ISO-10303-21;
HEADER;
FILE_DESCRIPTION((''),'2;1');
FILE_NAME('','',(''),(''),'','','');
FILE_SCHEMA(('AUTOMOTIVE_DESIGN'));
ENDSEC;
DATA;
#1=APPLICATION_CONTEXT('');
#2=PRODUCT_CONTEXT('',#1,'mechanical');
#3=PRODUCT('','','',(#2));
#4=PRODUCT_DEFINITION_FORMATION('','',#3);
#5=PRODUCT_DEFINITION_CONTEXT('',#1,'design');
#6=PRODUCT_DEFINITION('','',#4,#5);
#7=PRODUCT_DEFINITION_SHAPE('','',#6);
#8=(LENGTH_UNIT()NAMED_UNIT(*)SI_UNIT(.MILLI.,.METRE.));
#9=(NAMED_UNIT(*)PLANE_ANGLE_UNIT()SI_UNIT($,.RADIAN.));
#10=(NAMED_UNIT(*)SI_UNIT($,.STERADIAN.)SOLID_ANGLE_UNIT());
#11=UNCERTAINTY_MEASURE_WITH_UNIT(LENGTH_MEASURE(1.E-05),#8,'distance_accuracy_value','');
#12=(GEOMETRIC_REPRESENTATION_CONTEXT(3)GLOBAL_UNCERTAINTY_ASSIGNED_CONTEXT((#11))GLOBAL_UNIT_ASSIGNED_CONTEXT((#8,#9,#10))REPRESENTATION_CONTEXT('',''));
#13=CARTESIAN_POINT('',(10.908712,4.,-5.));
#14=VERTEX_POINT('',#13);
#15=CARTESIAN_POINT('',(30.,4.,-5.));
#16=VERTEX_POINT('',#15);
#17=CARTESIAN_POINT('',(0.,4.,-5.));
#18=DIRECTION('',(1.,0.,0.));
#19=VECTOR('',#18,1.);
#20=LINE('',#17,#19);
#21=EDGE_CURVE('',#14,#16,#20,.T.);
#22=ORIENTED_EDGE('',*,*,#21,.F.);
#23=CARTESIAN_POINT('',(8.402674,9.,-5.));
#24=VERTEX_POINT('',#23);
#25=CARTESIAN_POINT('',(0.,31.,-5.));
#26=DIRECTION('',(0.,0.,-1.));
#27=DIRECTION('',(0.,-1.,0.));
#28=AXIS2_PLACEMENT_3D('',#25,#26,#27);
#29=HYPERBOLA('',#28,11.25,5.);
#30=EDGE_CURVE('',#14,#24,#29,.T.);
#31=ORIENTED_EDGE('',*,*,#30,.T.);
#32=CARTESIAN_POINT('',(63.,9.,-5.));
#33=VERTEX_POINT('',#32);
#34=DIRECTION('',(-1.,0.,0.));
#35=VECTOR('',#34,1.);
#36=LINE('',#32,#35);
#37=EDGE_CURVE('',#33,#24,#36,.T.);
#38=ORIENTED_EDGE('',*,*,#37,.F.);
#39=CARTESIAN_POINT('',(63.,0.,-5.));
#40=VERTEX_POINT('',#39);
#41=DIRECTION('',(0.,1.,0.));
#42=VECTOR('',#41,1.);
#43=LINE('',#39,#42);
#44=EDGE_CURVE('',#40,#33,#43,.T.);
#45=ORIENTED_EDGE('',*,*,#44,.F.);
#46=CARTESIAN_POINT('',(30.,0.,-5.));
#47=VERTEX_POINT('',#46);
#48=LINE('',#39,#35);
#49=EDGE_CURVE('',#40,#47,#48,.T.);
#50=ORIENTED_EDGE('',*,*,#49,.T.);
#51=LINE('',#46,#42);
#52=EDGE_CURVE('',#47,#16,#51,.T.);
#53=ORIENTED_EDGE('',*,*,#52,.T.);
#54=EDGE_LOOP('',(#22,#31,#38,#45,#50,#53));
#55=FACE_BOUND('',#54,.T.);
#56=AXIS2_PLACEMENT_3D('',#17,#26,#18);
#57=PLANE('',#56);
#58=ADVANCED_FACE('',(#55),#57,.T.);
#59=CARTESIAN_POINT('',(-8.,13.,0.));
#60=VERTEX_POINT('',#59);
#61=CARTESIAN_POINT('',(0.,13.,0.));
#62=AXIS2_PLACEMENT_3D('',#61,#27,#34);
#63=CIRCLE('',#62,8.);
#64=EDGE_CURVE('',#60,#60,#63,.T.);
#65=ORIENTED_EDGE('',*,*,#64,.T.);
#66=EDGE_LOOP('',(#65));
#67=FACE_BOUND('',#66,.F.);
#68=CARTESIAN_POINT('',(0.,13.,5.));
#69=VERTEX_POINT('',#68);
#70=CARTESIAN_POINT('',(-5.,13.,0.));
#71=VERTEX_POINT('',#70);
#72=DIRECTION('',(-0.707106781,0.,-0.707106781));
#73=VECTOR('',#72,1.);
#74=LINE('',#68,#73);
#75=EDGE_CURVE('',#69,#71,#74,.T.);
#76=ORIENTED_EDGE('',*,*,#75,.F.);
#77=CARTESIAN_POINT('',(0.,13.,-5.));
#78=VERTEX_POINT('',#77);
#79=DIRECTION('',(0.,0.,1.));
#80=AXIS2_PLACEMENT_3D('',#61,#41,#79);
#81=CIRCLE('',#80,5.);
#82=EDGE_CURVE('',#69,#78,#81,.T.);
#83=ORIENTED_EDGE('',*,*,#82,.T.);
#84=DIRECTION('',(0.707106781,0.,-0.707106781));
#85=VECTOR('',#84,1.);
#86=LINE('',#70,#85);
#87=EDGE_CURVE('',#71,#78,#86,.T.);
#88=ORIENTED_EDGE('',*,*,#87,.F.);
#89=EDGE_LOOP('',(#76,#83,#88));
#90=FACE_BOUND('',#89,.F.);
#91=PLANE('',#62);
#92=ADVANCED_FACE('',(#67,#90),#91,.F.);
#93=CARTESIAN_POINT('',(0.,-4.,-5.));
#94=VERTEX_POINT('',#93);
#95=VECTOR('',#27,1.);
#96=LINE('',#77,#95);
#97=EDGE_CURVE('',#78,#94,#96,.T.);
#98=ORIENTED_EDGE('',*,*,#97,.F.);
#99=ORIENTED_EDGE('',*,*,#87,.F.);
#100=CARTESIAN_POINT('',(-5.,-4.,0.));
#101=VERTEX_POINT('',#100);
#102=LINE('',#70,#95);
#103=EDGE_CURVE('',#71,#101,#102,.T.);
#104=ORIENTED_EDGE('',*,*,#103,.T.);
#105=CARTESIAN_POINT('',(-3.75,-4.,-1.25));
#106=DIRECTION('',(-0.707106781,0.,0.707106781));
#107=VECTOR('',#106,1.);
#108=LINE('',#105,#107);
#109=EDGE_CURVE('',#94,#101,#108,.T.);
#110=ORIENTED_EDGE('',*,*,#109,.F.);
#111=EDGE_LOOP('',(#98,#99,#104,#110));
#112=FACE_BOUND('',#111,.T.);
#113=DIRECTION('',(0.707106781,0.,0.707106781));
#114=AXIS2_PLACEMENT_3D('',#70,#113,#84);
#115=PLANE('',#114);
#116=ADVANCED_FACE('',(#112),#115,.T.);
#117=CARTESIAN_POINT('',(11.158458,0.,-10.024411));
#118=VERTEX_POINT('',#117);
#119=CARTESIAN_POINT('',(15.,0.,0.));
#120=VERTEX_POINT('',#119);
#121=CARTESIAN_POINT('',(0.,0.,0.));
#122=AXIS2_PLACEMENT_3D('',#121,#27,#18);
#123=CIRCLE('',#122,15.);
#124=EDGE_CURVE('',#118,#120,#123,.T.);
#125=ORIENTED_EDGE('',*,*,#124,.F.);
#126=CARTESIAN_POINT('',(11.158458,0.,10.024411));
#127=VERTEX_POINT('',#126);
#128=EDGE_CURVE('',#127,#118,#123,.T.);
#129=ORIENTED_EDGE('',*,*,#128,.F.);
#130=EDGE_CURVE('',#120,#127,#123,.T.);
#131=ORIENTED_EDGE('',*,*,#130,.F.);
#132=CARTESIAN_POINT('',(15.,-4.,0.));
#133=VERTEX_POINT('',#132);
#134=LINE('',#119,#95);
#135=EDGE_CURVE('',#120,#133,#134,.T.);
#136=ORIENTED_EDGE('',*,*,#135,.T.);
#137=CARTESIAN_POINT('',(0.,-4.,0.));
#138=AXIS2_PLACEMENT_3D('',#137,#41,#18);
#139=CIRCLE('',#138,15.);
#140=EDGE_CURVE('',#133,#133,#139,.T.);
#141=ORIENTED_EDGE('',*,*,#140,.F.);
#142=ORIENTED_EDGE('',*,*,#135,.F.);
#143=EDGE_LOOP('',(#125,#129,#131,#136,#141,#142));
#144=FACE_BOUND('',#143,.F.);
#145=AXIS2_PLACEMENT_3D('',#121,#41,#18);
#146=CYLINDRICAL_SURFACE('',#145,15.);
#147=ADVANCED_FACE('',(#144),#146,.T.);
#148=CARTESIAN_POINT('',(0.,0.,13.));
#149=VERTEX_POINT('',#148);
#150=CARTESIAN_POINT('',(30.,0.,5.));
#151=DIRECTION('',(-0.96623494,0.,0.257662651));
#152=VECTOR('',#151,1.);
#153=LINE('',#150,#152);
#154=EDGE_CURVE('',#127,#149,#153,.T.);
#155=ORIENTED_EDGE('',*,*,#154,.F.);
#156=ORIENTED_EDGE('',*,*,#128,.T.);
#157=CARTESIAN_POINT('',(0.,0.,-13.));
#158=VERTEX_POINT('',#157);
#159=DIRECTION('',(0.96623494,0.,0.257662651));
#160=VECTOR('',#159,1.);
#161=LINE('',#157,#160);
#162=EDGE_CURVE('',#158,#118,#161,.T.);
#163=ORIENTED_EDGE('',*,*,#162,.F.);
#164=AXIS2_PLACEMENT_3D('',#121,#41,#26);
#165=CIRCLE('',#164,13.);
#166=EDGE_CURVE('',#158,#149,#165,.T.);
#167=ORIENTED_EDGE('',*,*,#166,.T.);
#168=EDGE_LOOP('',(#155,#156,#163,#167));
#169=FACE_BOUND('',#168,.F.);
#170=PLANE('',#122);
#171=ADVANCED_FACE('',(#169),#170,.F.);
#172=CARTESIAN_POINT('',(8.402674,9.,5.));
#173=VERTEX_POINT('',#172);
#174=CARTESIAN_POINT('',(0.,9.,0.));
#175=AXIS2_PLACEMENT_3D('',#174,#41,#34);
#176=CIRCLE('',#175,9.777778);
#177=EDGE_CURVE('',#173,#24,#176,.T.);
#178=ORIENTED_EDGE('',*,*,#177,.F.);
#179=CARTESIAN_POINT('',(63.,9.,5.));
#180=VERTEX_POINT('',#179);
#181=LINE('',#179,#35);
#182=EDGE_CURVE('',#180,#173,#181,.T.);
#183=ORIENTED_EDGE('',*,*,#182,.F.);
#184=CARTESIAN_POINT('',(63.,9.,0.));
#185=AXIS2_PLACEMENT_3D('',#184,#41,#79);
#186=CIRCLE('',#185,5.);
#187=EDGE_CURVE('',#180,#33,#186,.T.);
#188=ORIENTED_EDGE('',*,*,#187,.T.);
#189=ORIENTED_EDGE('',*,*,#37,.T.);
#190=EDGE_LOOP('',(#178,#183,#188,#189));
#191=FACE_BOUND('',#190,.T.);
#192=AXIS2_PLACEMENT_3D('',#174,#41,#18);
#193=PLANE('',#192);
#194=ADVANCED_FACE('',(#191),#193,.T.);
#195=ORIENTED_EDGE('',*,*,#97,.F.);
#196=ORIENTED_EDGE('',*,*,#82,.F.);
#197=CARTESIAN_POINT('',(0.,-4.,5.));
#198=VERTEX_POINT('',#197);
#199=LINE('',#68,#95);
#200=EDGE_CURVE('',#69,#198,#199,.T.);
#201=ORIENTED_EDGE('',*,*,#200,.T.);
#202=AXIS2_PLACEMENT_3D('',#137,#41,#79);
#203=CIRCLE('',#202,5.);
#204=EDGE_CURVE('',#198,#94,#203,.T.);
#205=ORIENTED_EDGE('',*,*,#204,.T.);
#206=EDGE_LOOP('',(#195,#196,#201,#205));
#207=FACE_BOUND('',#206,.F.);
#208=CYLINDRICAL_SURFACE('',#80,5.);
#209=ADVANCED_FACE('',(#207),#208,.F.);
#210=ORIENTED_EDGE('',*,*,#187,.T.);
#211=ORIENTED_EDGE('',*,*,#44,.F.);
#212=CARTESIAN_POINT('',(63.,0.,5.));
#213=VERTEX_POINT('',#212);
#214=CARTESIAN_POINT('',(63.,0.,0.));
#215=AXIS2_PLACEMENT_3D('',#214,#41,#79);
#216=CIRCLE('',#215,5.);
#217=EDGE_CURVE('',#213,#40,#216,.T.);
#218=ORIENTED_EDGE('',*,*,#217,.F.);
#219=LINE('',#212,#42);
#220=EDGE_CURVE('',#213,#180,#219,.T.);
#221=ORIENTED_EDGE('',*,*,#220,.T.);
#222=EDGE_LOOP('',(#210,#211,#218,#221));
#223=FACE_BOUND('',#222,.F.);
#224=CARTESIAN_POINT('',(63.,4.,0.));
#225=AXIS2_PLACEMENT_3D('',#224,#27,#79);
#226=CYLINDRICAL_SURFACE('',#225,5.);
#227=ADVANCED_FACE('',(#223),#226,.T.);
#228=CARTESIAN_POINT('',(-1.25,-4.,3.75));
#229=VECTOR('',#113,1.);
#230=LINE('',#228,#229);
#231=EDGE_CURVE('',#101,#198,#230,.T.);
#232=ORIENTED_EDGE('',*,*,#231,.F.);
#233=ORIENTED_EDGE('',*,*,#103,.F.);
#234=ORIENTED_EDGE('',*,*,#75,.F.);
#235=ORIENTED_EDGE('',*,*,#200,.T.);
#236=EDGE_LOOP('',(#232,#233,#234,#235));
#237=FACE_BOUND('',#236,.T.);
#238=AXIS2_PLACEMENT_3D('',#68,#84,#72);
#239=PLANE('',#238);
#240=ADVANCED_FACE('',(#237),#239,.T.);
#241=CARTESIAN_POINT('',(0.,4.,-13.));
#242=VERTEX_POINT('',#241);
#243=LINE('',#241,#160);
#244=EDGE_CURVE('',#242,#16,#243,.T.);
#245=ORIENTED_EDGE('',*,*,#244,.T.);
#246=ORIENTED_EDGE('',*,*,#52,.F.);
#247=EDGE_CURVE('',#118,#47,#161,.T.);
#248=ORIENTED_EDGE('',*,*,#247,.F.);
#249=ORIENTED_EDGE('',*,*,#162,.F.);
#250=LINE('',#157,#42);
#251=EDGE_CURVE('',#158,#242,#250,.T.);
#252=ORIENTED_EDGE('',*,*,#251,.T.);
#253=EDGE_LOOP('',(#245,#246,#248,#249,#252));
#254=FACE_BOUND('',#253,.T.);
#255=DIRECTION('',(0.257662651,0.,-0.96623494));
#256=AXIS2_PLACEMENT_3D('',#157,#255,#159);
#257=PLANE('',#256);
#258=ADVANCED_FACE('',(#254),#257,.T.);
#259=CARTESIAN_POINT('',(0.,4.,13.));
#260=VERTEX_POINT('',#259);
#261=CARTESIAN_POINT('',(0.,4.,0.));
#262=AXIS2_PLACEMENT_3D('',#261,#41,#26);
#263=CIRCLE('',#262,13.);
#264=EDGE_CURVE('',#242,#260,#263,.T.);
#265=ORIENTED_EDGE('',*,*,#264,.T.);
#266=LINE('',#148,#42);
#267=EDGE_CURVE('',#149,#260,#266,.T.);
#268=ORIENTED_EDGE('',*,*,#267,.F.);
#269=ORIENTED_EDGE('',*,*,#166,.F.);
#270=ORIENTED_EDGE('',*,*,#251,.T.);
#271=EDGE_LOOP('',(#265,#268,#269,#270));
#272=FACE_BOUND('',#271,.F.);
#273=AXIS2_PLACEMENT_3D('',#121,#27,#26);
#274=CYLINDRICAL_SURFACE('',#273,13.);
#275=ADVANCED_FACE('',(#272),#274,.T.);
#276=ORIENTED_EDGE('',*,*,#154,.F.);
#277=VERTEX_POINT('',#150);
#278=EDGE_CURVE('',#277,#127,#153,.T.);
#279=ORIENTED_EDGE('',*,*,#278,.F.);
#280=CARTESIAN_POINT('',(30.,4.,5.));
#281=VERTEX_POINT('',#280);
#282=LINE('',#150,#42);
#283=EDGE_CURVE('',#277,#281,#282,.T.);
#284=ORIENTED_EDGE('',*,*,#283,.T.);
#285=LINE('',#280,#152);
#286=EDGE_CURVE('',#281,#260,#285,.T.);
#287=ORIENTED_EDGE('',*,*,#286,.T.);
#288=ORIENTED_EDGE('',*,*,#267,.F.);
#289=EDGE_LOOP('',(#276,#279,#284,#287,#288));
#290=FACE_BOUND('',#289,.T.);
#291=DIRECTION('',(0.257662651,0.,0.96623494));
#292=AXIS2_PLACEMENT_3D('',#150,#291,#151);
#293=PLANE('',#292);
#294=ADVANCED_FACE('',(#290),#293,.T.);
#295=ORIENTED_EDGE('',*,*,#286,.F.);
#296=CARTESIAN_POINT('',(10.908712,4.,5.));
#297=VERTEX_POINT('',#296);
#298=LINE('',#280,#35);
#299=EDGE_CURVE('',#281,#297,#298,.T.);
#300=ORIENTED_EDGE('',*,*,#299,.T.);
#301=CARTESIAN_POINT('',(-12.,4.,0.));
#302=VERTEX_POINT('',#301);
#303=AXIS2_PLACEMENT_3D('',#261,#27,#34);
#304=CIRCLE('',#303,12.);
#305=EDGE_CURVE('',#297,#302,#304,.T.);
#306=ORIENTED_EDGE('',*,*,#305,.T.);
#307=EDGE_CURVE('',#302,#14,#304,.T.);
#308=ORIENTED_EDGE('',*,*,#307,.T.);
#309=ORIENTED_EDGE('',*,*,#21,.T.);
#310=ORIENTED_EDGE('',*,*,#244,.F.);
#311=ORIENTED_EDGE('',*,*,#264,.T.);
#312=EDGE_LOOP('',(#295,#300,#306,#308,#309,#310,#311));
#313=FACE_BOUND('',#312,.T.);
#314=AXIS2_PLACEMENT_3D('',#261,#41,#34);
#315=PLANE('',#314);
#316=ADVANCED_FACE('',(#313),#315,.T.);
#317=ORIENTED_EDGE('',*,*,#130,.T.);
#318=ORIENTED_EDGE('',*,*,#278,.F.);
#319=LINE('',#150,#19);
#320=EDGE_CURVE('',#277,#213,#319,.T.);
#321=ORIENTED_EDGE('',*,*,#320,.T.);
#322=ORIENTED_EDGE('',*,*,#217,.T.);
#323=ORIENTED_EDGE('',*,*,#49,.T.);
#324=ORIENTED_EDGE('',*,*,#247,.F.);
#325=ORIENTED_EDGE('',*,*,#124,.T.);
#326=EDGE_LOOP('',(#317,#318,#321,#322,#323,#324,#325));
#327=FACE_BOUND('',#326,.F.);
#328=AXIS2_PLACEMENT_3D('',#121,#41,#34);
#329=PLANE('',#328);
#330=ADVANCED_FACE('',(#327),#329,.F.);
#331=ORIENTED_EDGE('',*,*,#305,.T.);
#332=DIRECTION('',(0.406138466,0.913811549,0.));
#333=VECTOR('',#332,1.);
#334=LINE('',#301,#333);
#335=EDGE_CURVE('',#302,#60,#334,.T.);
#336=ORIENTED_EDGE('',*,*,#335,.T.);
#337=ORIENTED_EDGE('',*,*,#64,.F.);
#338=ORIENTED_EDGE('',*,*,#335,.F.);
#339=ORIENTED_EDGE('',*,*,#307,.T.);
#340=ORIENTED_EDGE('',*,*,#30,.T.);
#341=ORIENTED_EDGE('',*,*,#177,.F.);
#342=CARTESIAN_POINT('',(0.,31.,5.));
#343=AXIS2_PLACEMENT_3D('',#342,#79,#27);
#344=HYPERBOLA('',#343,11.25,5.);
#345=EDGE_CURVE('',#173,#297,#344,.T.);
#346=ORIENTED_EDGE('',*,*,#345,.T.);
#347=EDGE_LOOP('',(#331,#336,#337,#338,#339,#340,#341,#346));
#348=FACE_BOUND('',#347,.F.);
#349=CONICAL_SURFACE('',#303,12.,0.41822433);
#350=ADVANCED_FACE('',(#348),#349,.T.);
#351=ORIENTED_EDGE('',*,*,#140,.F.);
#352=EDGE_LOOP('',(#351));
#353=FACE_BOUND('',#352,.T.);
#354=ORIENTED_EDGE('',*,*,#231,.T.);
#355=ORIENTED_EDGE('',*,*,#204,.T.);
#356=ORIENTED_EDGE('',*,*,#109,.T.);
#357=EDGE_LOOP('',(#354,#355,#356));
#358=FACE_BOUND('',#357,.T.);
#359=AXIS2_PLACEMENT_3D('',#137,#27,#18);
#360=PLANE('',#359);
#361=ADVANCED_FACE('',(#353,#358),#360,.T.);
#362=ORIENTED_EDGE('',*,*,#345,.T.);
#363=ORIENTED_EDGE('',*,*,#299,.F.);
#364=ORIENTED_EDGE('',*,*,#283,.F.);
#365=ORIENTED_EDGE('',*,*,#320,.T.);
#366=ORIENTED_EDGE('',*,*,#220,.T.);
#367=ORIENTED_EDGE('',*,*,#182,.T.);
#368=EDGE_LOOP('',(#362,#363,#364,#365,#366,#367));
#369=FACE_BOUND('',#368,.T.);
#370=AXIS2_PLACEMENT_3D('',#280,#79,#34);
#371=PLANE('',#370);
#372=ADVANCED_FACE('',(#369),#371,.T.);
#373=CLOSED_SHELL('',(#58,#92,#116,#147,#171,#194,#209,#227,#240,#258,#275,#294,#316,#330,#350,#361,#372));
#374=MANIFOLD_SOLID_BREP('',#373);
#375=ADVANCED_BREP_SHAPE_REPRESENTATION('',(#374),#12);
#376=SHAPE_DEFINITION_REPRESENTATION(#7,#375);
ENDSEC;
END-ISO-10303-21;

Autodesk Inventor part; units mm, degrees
ref_plane "YZ Plane" through (0, 0, 0) normal (1, 0, 0) x (0, 1, 0)
ref_plane "XZ Plane" through (0, 0, 0) normal (0, 1, 0) x (-1, 0, 0)
ref_plane "XY Plane" through (0, 0, 0) normal (0, 0, 1) x (1, 0, 0)
sketch "草图1" plane through (0, 0, 0) normal (0, 1, 0) x (-1, 0, 0)
  arc A0 (0, -13) -> (0, 13) centre (0, 0) ccw
  line L0 (0, 0) -> (-30, 0)
  line L1 (0, -13) -> (-30, -5)
  line L2 (-30, 5) -> (0, 13)
  line L3 (-30, 5) -> (-63, 5)
  line L4 (-63, -5) -> (-30, -5)
  arc A1 (-63, 5) -> (-63, -5) centre (-63, 0) ccw
  dimension "d0" = 26
  dimension "d10" = 10
extrude "拉伸1" add sketch "草图1" along normal blind 4
sketch "草图2" plane through (0, 0, 0) normal (0, -1, 0) x (1, 0, 0)
  line L0 (30, 5) -> (63, 5) projected
  line L1 (0, 13) -> (30, 5) projected
  arc A0 (0, 13) -> (0, -13) centre (0, 0) ccw projected
  line L2 (30, -5) -> (0, -13) projected
  line L3 (63, -5) -> (30, -5) projected
  circle A1 centre (0, 0) radius 15
  arc A2 (63, -5) -> (63, 5) centre (63, 0) ccw projected
  dimension "d7" = 30
extrude "拉伸2" add sketch "草图2" along normal blind 4 contours A1 L2 A0 L1 | L1 A0 L2 A1
sketch "草图3" plane through (0, 4, 0) normal (0, 1, 0) x (1, 0, 0)
  line L0 (0, -13) -> (30, -5) projected
  line L1 (30, -5) -> (63, -5) projected
  arc A0 (63, -5) -> (63, 5) centre (63, 0) ccw projected
  line L2 (63, 5) -> (30, 5) projected
  line L3 (30, 5) -> (0, 13) projected
  arc A1 (0, 13) -> (0, -13) centre (0, 0) ccw projected
  line L4 (0, -13) -> (30, -5) projected
  line L5 (30, -5) -> (0, -5)
  line L6 (0, -5) -> (0, 5)
  line L7 (0, 5) -> (30, 5)
extrude "拉伸3" add sketch "草图3" along normal blind 5 contours L5 L6 L7 L2 A0 L1
sketch "草图4" plane through (0, 0, 0) normal (0, 0, 1) x (1, 0, 0)
  line L0 (0, 0) -> (0, 0) projected
  line L1 (0, 0) -> (0, 4) projected
  line L2 (0, 4) -> (0, 4) projected
  line L3 (0, 0) -> (0, 4) projected
  line L4 (-15, -4) -> (15, -4) projected
  line L5 (11.1585, 0) -> (11.1585, 0) projected
  line L6 (11.1585, 0) -> (11.1585, 0) projected
  line L7 (0, 4) -> (-13, 4) projected
  line L8 (-13, 4) -> (-13, 0)
  line L9 (-15, 0) -> (11.1585, 0) projected
  line L10 (-12, 4) -> (-8, 13)
  line L11 (-8, 13) -> (0, 13)
  line L12 (30, 4) -> (0, 4) projected
  line L13 (0, 13) -> (0, 4)
  dimension "d14" = 1
  dimension "d15" = 9
  dimension "d16" = 8
revolve "旋转1" add sketch "草图4" angle 360 about axis through (0, 13, 0) along (0, -1, 0) contours L7 L10 L11 L13
sketch "草图5" plane through (0, 13, 0) normal (0, 1, 0) x (1, 0, 0)
  arc A0 (0, -5) -> (0, 5) centre (0, 0) ccw
  line L0 (0, -5) -> (-5, 0)
  line L1 (-5, 0) -> (0, 5)
  dimension "d18" = 10
extrude "拉伸4" cut sketch "草图5" against normal through all
properties part number "4-手柄" material "灰口铁"
